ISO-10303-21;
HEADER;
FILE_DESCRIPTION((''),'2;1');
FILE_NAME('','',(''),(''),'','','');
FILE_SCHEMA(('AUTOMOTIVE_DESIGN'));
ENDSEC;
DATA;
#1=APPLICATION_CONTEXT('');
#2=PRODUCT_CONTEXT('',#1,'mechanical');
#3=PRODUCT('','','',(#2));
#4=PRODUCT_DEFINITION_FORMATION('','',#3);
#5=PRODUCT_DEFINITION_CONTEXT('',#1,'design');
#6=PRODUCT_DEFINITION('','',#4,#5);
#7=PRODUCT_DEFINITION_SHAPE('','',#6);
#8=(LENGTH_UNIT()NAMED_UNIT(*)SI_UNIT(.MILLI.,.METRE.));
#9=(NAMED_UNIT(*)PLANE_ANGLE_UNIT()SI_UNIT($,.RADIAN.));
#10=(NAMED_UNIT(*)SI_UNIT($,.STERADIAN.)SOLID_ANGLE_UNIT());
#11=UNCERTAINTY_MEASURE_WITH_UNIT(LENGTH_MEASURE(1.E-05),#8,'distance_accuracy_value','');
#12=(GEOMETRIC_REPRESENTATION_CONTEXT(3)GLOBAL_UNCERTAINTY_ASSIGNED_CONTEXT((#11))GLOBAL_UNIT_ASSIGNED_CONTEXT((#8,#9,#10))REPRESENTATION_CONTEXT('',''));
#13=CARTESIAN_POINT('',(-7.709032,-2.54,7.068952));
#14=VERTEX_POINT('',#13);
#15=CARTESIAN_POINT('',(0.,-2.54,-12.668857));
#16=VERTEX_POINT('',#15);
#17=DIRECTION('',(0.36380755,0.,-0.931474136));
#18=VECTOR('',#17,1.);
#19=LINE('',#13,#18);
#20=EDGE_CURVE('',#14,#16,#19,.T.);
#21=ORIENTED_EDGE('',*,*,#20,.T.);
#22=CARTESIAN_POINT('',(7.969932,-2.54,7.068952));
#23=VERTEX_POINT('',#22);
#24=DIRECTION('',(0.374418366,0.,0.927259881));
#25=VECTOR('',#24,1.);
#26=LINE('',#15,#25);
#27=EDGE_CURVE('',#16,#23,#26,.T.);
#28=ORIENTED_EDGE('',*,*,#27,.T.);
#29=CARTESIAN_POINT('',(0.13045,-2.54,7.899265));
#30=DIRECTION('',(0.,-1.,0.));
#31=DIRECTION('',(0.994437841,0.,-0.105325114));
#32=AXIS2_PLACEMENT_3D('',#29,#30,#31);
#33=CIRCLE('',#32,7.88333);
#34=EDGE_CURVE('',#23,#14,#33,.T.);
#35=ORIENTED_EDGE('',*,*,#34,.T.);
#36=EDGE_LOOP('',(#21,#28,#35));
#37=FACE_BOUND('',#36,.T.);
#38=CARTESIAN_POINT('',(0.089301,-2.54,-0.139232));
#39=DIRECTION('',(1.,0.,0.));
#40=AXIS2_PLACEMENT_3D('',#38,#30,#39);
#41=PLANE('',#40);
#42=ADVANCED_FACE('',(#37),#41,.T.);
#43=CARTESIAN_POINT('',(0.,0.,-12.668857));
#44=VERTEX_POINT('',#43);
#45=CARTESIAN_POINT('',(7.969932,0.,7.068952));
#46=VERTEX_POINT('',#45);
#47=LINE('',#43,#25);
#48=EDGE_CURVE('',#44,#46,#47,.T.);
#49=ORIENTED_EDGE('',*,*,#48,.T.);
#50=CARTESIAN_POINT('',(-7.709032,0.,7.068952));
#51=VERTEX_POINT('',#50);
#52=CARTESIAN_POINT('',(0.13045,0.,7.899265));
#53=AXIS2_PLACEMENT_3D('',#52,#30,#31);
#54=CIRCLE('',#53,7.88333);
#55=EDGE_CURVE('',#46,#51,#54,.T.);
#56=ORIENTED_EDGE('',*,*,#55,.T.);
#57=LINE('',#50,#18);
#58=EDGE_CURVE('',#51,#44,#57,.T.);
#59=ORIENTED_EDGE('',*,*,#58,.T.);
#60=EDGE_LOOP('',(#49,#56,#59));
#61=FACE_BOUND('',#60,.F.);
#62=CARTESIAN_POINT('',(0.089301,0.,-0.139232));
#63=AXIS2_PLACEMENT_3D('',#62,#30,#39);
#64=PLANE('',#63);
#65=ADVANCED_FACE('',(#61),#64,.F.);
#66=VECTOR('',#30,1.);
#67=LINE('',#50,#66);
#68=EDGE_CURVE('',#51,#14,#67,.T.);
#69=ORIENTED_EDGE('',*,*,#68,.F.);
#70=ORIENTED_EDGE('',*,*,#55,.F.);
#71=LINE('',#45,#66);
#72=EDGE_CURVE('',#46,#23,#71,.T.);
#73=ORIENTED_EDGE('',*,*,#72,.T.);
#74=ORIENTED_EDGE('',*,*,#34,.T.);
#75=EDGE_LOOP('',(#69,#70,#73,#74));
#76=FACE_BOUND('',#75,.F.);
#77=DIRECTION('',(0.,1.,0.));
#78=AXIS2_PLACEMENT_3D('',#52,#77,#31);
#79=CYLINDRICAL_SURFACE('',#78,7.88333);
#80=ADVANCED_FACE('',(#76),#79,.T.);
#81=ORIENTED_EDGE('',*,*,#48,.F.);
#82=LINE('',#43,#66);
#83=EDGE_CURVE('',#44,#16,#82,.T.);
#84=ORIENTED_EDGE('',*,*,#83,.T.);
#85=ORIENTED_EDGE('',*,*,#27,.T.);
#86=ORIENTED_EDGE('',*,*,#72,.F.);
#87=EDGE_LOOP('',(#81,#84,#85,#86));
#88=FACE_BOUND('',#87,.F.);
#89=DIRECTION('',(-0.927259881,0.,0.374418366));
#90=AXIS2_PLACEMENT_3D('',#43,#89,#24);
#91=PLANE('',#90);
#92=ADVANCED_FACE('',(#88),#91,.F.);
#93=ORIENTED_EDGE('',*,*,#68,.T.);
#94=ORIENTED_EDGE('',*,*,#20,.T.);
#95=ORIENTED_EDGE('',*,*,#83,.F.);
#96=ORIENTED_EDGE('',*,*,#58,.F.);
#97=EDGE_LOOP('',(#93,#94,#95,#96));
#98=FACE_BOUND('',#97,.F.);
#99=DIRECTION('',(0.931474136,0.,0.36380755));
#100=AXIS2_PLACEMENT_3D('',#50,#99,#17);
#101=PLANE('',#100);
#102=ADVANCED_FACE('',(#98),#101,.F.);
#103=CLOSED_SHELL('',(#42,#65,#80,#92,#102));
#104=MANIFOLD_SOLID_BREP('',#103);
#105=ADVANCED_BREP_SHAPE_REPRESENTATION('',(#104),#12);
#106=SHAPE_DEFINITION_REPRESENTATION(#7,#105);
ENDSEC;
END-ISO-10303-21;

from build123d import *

# Parameters (mm, degrees)
F1_DEPTH = 2.54


with BuildPart() as f1:
    # F0 (on Front) → F1 (new body)
    with BuildSketch(Plane.XZ):
        Polygon((-7.709032, 7.068952), (0, -12.668857), (7.969932, 7.068952), align=None)
        with BuildLine():
            ThreePointArc((7.969932, 7.068952), (0.13045, 15.782595), (-7.709032, 7.068952))
            Line((-7.709032, 7.068952), (7.969932, 7.068952))
        make_face()
    extrude(amount=F1_DEPTH)


solid = f1.part
